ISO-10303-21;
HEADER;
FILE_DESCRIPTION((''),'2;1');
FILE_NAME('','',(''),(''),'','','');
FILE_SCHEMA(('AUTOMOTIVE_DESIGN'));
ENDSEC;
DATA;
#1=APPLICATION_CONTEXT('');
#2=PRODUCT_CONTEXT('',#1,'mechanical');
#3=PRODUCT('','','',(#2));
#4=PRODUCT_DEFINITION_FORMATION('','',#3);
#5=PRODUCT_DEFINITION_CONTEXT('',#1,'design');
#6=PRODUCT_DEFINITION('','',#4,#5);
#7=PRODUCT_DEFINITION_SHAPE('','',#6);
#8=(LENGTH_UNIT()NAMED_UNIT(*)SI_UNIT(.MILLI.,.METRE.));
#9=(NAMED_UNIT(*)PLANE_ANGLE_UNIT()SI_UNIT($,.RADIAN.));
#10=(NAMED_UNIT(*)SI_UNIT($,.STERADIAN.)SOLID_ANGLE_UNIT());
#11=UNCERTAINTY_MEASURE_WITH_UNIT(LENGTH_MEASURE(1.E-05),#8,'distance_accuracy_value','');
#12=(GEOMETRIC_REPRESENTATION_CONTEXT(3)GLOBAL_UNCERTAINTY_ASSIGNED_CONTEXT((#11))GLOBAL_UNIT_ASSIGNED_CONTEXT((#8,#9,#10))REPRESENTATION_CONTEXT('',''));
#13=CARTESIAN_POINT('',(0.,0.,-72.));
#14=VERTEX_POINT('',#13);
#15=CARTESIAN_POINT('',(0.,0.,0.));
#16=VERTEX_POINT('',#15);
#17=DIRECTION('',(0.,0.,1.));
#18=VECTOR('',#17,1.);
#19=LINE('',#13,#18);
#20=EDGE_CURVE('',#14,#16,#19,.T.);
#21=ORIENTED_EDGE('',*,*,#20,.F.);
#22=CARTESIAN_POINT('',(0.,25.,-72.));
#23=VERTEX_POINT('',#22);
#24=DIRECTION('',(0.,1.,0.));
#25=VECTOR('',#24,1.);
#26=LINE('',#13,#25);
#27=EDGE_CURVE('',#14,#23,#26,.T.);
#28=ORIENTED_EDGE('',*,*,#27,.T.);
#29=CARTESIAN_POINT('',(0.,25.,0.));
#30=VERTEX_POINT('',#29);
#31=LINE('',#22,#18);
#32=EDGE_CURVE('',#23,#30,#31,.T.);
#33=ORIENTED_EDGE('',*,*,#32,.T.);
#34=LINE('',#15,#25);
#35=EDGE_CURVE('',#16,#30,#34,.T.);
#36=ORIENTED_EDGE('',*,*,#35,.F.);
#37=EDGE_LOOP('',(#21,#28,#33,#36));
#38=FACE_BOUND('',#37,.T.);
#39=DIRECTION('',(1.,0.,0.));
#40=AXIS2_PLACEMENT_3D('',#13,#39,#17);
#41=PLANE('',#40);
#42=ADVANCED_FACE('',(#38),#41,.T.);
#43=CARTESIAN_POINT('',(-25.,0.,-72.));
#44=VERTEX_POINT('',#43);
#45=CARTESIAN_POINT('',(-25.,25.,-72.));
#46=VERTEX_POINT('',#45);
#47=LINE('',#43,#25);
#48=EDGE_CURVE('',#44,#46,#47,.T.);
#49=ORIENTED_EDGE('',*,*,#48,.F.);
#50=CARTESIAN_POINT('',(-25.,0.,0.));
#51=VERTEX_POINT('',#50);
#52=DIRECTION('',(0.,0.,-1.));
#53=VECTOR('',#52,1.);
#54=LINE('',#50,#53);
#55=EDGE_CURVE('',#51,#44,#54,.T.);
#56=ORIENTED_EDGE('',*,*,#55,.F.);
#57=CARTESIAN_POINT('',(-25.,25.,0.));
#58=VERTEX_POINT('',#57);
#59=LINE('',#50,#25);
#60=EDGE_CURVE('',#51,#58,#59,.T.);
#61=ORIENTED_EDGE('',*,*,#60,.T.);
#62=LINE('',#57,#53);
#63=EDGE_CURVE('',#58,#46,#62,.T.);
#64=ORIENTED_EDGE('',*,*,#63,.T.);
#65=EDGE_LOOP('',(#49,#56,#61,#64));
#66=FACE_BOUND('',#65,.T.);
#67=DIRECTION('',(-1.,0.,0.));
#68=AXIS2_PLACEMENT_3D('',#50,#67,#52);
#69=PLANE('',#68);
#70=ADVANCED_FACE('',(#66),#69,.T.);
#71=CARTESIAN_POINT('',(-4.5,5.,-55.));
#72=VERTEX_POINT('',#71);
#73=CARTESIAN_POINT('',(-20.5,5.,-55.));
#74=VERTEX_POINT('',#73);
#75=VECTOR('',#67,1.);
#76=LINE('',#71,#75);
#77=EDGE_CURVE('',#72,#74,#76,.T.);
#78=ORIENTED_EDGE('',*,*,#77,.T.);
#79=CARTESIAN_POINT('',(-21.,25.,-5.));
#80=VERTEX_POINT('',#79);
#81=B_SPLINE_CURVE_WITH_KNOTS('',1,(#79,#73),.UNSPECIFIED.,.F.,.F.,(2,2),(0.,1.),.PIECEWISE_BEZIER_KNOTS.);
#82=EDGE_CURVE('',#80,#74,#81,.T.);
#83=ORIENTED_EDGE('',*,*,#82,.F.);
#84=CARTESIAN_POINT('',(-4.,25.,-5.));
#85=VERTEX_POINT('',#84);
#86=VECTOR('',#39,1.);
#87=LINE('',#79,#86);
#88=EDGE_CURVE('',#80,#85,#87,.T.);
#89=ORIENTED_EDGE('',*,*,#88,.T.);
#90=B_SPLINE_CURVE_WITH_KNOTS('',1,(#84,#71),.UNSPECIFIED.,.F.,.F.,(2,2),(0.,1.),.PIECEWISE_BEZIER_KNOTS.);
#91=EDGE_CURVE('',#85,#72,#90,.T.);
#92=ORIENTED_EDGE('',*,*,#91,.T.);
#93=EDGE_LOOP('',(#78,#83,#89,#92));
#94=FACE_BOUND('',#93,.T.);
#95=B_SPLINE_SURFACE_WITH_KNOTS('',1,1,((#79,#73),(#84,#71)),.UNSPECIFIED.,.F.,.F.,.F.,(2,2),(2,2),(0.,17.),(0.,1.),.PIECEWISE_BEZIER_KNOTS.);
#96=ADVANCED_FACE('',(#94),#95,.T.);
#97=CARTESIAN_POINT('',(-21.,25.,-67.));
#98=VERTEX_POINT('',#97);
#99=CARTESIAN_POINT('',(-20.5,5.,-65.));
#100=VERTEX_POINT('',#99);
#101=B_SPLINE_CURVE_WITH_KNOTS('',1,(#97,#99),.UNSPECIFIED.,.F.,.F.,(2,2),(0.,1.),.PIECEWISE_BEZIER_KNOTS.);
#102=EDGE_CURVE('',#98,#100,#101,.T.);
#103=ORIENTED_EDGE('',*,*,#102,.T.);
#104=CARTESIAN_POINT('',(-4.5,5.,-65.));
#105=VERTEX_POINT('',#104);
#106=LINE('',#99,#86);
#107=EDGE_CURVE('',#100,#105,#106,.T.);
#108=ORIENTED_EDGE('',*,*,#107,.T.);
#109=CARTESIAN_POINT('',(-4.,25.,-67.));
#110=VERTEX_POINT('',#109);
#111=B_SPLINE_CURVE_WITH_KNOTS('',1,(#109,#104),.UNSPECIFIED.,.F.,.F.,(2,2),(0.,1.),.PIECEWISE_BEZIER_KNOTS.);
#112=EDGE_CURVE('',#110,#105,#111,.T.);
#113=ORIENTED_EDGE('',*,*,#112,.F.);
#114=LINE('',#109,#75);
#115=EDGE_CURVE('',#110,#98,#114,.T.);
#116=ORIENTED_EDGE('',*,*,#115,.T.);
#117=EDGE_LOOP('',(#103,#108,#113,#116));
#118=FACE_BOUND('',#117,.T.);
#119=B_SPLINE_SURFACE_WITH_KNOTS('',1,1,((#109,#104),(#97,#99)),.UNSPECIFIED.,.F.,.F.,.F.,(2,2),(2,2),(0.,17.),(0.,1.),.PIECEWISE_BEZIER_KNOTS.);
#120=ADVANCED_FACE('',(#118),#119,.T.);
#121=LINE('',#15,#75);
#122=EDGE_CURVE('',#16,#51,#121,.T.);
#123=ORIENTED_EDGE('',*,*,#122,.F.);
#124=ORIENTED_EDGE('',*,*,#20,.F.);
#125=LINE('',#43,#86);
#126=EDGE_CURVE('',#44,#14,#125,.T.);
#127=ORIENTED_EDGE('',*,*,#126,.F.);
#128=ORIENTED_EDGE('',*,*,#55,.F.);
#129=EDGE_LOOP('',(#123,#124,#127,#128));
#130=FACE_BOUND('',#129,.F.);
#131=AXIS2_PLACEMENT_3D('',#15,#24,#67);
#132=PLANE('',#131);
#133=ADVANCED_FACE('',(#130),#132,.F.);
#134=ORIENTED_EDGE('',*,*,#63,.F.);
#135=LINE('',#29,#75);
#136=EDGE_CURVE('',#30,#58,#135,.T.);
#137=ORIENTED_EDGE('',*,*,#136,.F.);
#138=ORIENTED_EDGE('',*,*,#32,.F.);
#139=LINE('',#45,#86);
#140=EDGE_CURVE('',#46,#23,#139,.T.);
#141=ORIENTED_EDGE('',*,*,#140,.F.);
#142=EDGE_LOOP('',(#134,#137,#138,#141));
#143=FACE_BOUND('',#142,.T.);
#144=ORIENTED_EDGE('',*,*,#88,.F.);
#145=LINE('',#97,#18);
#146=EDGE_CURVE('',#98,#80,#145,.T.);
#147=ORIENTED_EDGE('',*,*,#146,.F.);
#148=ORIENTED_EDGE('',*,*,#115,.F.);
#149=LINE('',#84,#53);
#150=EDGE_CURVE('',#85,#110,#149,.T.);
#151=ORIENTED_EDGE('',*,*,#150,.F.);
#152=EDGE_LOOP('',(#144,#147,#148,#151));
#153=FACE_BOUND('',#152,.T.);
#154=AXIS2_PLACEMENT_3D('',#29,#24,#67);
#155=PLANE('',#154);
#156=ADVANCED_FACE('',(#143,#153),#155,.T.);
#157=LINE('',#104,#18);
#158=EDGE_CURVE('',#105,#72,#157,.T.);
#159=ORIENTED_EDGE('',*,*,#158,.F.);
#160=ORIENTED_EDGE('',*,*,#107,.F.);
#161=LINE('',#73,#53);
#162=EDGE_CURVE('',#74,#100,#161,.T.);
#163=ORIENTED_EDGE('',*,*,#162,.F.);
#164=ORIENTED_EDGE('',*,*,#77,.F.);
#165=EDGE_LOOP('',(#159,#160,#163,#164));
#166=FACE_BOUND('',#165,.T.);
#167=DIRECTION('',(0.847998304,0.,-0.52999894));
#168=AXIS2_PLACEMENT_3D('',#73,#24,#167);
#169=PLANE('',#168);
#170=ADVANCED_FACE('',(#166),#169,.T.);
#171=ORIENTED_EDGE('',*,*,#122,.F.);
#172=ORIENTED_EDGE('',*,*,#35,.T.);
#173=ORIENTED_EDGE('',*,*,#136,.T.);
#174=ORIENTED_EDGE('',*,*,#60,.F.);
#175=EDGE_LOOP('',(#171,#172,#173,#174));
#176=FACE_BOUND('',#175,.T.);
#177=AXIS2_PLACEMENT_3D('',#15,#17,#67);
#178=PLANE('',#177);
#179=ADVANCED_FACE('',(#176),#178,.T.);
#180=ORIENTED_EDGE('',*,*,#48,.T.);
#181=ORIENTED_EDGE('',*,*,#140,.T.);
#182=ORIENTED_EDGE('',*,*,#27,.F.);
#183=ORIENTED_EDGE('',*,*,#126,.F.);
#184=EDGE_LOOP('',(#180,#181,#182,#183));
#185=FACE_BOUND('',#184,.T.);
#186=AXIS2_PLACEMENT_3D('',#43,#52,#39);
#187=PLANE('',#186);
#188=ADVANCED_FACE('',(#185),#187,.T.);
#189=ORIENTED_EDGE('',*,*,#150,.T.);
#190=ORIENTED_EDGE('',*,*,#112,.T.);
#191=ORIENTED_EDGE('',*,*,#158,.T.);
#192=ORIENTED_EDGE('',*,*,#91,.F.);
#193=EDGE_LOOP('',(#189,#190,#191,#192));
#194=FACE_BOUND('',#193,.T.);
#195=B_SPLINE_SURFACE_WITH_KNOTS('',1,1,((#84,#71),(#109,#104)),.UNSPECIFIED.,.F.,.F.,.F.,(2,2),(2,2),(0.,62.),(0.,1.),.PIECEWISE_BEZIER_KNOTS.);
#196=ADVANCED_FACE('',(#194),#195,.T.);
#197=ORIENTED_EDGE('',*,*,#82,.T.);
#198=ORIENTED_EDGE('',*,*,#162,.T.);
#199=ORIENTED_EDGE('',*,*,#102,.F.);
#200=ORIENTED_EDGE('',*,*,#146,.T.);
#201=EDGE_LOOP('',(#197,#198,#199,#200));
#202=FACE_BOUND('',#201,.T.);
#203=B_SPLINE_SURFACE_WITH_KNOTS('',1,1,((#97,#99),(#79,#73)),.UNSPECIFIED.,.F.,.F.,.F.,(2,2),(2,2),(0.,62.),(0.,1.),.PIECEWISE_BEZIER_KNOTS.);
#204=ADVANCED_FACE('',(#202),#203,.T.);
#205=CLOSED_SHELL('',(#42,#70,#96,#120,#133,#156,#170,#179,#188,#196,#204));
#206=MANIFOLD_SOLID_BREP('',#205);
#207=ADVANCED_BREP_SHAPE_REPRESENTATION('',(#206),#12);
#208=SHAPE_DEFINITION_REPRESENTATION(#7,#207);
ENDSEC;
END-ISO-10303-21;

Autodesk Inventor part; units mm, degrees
ref_plane "YZ Plane" through (0, 0, 0) normal (1, 0, 0) x (0, 1, 0)
ref_plane "XZ Plane" through (0, 0, 0) normal (0, 1, 0) x (-1, 0, 0)
ref_plane "XY Plane" through (0, 0, 0) normal (0, 0, 1) x (1, 0, 0)
sketch "Sketch1" plane through (0, 0, 0) normal (0, 1, 0) x (-1, 0, 0)
  line L0 (0, 0) -> (25, 0)
  line L1 (25, 0) -> (25, -72)
  line L2 (25, -72) -> (0, -72)
  line L3 (0, -72) -> (0, 0)
  dimension "d0" = 72
  dimension "d1" = 25
extrude "Extrusion1" add sketch "Sketch1" along normal blind 25
sketch "Sketch2" plane through (0, 25, 0) normal (0, 1, 0) x (1, 0, 0)
  line L0 (-21, 5) -> (-4, 5)
  line L1 (-4, 5) -> (-4, 67)
  line L2 (-4, 67) -> (-21, 67)
  line L3 (-21, 67) -> (-21, 5)
  line L4 (-25, 72) -> (-25, 0) projected
  line L5 (0, 72) -> (-25, 72) projected
  point P0 (0, 0)
  dimension "d4" = 62
  dimension "d5" = 17
  dimension "d6" = 4
  dimension "d7" = 5
ref_plane "Work Plane1" through (0, 5, 0) normal (0, -1, 0) x (1, 0, 0)
sketch "Sketch3" plane through (0, 5, 0) normal (0, -1, 0) x (1, 0, 0)
  line L0 (-4.5, -55) -> (-20.5, -55)
  line L1 (-20.5, -55) -> (-20.5, -65)
  line L2 (-20.5, -65) -> (-4.5, -65)
  line L3 (-4.5, -65) -> (-4.5, -55)
  line L4 (0, -72) -> (-25, -72) projected
  line L5 (0, 0) -> (0, -72) projected
  dimension "d9" = 10
  dimension "d10" = 16
  dimension "d11" = 7
  dimension "d12" = 4.5
loft "Loft1" cut profiles "Sketch2", "Sketch3"
properties part number "Tapered Mould"
